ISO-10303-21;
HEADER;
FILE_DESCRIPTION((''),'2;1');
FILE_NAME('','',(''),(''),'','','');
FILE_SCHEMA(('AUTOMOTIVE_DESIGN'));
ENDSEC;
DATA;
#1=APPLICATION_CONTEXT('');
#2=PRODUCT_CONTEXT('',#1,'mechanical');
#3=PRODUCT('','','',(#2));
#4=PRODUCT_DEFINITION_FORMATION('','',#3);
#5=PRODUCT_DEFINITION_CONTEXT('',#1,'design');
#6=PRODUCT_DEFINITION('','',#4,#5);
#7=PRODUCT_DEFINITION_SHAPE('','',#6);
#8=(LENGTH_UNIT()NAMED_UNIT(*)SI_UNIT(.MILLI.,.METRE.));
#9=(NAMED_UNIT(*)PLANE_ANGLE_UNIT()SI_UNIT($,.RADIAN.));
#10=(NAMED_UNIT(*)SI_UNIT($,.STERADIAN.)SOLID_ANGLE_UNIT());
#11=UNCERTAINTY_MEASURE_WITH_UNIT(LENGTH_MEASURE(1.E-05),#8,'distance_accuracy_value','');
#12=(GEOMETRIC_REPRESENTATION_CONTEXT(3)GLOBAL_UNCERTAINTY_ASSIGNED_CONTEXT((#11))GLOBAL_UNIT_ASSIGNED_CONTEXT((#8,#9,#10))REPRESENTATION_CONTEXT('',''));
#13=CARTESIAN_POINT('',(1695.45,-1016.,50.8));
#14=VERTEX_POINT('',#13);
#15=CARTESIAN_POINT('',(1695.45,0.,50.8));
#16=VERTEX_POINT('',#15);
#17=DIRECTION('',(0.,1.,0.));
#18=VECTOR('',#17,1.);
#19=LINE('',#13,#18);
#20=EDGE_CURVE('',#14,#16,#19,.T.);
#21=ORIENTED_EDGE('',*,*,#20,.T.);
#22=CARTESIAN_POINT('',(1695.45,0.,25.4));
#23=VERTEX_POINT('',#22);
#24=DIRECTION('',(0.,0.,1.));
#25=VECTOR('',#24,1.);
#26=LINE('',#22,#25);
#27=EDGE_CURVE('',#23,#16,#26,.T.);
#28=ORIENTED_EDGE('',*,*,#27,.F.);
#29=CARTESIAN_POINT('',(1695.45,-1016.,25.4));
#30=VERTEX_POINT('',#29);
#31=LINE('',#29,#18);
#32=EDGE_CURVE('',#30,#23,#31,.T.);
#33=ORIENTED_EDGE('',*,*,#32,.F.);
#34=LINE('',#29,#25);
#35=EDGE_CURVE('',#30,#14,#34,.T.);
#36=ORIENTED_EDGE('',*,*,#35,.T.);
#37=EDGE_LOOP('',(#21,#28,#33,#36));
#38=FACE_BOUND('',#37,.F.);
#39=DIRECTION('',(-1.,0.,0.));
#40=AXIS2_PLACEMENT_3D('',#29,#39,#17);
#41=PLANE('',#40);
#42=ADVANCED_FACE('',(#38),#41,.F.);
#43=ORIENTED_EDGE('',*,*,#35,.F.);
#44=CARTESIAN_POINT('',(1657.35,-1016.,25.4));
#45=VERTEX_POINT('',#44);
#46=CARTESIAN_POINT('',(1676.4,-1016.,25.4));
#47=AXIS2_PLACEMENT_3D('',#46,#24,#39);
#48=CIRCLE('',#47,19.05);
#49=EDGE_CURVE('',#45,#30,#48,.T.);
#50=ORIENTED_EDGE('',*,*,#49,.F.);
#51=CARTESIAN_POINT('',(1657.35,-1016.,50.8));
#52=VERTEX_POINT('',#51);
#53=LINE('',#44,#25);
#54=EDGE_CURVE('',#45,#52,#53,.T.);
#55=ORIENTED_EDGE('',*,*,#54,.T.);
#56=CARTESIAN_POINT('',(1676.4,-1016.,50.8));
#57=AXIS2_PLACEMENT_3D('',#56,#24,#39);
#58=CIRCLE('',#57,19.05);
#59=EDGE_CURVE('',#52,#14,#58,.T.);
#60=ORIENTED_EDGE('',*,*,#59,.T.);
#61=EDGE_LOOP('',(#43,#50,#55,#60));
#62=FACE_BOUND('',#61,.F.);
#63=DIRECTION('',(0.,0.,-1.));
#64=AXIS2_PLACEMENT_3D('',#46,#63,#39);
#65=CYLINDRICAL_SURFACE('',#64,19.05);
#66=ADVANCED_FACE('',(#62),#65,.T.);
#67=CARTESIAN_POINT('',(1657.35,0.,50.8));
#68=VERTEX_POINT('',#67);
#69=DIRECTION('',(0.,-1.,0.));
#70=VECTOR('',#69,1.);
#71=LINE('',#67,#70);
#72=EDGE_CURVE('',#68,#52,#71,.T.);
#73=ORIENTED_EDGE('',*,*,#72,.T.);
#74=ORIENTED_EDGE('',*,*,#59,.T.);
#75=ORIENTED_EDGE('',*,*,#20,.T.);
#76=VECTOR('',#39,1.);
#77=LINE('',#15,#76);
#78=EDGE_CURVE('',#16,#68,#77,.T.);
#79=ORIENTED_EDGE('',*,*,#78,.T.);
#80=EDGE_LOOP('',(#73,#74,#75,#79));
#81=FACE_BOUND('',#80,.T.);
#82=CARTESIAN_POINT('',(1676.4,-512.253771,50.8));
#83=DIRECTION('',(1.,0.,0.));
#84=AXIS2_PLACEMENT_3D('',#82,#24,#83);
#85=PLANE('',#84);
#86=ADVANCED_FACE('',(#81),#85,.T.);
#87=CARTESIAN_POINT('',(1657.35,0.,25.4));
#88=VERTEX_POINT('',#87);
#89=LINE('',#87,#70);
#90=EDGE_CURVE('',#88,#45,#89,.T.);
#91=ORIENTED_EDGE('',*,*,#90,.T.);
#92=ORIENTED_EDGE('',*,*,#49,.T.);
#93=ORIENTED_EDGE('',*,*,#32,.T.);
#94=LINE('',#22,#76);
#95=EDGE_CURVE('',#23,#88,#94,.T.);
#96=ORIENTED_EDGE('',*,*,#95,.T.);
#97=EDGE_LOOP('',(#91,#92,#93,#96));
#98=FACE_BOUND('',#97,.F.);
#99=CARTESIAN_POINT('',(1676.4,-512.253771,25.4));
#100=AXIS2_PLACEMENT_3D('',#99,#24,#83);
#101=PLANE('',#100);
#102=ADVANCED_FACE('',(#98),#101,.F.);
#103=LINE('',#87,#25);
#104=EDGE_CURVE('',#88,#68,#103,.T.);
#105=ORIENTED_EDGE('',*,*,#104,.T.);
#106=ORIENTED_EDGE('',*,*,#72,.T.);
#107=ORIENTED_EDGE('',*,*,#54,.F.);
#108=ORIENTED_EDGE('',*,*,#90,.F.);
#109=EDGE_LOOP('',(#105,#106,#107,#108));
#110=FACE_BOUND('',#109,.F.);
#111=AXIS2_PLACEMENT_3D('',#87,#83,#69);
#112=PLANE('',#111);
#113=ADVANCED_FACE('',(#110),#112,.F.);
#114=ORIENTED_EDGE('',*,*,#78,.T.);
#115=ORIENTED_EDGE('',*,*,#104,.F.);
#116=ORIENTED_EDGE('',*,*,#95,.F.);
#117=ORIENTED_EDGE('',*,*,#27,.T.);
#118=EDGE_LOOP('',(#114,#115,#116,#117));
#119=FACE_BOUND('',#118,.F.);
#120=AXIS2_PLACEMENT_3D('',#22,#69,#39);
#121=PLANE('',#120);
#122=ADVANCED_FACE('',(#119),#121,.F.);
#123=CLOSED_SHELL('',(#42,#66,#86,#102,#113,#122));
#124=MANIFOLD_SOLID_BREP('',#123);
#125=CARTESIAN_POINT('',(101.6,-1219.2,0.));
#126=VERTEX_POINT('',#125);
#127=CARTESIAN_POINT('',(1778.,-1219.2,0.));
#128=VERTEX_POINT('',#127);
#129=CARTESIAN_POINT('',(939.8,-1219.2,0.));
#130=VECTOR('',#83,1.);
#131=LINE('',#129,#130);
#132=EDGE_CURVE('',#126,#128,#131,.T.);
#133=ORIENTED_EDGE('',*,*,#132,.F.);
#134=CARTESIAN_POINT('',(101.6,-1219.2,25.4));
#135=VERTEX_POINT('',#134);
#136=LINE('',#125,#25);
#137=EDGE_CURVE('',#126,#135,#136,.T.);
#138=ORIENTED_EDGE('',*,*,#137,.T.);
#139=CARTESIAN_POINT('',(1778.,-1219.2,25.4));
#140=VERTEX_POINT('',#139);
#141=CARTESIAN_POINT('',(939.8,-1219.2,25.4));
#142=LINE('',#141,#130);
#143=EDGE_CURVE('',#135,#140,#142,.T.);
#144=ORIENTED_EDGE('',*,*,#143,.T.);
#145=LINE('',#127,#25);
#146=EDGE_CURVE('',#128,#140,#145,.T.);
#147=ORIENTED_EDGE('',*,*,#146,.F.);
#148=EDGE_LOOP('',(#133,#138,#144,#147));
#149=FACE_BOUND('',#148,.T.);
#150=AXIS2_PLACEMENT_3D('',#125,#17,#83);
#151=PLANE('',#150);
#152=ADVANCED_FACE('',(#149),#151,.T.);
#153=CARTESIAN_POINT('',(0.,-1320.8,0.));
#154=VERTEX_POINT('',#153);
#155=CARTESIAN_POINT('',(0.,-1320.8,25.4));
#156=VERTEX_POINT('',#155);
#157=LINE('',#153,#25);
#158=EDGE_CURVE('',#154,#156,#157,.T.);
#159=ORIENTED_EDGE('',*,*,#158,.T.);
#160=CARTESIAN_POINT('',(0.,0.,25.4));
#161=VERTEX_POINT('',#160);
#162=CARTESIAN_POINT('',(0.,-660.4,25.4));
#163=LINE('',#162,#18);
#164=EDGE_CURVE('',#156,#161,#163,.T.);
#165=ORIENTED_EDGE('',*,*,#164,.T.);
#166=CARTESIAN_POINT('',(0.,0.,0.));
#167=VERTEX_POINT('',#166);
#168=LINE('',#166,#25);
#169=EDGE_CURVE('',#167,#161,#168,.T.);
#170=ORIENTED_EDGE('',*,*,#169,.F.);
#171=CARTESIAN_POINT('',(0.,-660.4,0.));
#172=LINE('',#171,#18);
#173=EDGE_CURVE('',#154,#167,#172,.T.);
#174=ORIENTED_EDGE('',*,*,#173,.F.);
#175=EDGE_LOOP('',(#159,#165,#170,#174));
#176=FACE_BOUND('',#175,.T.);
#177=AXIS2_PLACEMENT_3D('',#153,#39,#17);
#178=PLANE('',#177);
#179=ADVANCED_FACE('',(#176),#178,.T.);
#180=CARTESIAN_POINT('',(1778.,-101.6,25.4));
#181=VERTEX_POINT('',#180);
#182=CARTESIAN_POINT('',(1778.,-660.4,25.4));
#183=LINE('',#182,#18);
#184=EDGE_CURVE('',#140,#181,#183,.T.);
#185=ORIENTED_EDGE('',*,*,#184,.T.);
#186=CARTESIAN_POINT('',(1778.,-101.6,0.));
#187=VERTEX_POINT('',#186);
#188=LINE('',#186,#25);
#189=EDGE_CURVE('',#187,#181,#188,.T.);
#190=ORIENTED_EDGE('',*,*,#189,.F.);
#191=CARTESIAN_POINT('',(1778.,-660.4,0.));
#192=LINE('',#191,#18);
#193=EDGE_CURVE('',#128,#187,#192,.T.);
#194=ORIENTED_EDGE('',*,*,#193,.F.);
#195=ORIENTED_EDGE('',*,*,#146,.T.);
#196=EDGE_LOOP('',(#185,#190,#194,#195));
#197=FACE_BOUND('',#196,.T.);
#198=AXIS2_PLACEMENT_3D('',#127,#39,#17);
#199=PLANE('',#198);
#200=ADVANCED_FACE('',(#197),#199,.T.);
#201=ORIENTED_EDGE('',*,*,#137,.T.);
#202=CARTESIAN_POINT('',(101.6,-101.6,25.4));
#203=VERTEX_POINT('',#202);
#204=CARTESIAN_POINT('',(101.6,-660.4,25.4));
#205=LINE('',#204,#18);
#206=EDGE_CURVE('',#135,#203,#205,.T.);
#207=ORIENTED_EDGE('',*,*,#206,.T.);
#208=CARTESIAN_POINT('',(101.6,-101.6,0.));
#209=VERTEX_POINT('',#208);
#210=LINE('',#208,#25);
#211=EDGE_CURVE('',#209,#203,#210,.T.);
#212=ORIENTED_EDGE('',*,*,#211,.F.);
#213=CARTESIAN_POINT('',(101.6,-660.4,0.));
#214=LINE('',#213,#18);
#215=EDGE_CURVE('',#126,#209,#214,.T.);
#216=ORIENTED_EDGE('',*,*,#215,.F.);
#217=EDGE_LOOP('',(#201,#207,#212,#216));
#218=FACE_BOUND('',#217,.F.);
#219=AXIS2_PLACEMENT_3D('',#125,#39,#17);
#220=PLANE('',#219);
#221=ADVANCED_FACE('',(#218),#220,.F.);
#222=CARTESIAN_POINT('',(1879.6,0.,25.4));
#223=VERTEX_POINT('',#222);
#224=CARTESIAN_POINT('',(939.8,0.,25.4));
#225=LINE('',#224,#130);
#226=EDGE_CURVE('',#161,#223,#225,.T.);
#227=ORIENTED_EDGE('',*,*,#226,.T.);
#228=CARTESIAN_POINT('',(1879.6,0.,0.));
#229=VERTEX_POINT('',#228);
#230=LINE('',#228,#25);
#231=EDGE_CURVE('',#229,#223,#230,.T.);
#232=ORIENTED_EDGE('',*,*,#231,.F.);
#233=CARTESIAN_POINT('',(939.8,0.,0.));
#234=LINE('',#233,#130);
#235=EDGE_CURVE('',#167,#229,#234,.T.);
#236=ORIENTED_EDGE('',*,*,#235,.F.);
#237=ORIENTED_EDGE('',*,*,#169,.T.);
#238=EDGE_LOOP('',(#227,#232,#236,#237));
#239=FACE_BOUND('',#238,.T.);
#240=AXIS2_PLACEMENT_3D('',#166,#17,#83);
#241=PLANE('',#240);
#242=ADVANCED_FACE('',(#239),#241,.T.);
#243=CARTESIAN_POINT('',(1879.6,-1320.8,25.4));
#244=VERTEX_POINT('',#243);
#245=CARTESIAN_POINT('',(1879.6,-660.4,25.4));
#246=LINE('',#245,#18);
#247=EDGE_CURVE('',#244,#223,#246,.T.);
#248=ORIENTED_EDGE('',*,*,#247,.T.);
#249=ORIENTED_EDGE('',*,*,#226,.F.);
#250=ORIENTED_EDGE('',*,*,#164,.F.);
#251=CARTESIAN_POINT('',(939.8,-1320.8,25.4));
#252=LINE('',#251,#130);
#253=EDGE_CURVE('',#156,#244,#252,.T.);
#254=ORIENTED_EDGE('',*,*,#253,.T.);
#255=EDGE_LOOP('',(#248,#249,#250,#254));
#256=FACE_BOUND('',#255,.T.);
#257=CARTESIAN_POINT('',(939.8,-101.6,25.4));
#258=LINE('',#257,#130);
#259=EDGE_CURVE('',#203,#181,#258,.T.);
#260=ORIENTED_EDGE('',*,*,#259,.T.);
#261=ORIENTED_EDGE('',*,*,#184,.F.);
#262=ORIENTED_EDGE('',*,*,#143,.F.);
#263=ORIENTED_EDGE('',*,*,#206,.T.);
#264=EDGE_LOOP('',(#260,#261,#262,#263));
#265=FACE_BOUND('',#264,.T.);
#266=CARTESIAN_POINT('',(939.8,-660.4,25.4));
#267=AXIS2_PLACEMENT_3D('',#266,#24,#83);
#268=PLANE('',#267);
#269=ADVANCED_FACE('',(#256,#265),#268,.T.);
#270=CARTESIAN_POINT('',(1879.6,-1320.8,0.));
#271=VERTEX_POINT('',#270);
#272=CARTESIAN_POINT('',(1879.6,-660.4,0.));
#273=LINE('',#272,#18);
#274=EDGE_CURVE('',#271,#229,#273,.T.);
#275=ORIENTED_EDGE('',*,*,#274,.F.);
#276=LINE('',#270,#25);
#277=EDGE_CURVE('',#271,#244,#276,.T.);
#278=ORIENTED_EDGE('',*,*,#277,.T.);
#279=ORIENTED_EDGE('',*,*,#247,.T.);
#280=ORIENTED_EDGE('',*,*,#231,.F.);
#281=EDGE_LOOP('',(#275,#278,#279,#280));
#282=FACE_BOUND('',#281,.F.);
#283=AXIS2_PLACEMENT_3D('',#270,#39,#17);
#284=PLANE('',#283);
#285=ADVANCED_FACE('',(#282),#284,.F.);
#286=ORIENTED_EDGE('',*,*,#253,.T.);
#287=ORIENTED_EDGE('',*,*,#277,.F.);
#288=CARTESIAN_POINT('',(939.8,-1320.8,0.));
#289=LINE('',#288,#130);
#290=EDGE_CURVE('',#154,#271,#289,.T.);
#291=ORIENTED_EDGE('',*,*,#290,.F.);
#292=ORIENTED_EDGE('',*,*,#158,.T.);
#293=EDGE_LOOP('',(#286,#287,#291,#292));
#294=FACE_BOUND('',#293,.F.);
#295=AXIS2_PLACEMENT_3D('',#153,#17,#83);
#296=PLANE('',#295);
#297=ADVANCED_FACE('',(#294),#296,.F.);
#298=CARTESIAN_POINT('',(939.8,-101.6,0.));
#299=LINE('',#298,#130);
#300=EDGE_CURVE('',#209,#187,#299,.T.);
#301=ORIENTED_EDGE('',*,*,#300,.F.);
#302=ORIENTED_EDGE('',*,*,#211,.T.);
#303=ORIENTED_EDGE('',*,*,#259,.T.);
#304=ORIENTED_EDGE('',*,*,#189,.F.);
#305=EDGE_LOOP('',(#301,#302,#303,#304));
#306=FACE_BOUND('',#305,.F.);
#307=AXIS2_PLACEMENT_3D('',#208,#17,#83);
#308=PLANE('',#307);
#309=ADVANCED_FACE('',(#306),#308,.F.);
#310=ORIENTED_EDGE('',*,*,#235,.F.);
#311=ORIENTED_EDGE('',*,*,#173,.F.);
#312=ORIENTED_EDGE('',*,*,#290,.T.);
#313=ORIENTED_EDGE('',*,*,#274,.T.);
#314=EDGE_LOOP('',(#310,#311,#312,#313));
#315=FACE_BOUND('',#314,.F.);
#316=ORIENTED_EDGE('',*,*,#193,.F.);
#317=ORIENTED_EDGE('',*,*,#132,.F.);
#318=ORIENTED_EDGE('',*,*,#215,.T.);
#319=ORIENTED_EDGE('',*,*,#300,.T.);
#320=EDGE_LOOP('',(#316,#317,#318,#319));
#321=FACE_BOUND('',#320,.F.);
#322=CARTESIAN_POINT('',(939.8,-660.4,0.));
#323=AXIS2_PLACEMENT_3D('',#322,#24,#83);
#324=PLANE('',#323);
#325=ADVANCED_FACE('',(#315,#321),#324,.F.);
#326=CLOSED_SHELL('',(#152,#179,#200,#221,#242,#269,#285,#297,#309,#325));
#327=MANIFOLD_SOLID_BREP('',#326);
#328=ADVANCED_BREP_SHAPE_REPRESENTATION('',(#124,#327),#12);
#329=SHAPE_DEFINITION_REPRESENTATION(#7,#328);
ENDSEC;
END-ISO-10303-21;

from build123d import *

# Parameters (mm, degrees)
F0_W     = 1879.6
F0_H     = 1320.8
F0_W_2   = 1676.4
F0_H_2   = 1117.6
F1_DEPTH = 25.4
F3_DEPTH = 25.4


with BuildPart() as f1:
    # F0 (on Top) → F1 (new body)
    with BuildSketch(Plane.XY):
        with Locations((939.8, -660.4)):
            Rectangle(F0_W, F0_H)
        with Locations((939.8, -660.4)):
            Rectangle(F0_W_2, F0_H_2, mode=Mode.SUBTRACT)
    extrude(amount=F1_DEPTH)


with BuildPart() as f3:
    # F2 (on face) → F3 (new body)
    with BuildSketch(Plane.XY.offset(25.4)):
        with BuildLine():
            Line((1695.45, 0), (1657.35, 0))
            Line((1657.35, 0), (1657.35, -1016))
            ThreePointArc((1657.35, -1016), (1676.4, -996.95), (1695.45, -1016))
            Line((1695.45, -1016), (1695.45, 0))
        make_face()
        with BuildLine():
            ThreePointArc((1695.45, -1016), (1676.4, -996.95), (1657.35, -1016))
            Line((1657.35, -1016), (1695.45, -1016))
        make_face()
        with BuildLine():
            Line((1695.45, -1016), (1657.35, -1016))
            ThreePointArc((1657.35, -1016), (1676.4, -1035.05), (1695.45, -1016))
        make_face()
    extrude(amount=F3_DEPTH)


solid = Compound([f1.part, f3.part])
